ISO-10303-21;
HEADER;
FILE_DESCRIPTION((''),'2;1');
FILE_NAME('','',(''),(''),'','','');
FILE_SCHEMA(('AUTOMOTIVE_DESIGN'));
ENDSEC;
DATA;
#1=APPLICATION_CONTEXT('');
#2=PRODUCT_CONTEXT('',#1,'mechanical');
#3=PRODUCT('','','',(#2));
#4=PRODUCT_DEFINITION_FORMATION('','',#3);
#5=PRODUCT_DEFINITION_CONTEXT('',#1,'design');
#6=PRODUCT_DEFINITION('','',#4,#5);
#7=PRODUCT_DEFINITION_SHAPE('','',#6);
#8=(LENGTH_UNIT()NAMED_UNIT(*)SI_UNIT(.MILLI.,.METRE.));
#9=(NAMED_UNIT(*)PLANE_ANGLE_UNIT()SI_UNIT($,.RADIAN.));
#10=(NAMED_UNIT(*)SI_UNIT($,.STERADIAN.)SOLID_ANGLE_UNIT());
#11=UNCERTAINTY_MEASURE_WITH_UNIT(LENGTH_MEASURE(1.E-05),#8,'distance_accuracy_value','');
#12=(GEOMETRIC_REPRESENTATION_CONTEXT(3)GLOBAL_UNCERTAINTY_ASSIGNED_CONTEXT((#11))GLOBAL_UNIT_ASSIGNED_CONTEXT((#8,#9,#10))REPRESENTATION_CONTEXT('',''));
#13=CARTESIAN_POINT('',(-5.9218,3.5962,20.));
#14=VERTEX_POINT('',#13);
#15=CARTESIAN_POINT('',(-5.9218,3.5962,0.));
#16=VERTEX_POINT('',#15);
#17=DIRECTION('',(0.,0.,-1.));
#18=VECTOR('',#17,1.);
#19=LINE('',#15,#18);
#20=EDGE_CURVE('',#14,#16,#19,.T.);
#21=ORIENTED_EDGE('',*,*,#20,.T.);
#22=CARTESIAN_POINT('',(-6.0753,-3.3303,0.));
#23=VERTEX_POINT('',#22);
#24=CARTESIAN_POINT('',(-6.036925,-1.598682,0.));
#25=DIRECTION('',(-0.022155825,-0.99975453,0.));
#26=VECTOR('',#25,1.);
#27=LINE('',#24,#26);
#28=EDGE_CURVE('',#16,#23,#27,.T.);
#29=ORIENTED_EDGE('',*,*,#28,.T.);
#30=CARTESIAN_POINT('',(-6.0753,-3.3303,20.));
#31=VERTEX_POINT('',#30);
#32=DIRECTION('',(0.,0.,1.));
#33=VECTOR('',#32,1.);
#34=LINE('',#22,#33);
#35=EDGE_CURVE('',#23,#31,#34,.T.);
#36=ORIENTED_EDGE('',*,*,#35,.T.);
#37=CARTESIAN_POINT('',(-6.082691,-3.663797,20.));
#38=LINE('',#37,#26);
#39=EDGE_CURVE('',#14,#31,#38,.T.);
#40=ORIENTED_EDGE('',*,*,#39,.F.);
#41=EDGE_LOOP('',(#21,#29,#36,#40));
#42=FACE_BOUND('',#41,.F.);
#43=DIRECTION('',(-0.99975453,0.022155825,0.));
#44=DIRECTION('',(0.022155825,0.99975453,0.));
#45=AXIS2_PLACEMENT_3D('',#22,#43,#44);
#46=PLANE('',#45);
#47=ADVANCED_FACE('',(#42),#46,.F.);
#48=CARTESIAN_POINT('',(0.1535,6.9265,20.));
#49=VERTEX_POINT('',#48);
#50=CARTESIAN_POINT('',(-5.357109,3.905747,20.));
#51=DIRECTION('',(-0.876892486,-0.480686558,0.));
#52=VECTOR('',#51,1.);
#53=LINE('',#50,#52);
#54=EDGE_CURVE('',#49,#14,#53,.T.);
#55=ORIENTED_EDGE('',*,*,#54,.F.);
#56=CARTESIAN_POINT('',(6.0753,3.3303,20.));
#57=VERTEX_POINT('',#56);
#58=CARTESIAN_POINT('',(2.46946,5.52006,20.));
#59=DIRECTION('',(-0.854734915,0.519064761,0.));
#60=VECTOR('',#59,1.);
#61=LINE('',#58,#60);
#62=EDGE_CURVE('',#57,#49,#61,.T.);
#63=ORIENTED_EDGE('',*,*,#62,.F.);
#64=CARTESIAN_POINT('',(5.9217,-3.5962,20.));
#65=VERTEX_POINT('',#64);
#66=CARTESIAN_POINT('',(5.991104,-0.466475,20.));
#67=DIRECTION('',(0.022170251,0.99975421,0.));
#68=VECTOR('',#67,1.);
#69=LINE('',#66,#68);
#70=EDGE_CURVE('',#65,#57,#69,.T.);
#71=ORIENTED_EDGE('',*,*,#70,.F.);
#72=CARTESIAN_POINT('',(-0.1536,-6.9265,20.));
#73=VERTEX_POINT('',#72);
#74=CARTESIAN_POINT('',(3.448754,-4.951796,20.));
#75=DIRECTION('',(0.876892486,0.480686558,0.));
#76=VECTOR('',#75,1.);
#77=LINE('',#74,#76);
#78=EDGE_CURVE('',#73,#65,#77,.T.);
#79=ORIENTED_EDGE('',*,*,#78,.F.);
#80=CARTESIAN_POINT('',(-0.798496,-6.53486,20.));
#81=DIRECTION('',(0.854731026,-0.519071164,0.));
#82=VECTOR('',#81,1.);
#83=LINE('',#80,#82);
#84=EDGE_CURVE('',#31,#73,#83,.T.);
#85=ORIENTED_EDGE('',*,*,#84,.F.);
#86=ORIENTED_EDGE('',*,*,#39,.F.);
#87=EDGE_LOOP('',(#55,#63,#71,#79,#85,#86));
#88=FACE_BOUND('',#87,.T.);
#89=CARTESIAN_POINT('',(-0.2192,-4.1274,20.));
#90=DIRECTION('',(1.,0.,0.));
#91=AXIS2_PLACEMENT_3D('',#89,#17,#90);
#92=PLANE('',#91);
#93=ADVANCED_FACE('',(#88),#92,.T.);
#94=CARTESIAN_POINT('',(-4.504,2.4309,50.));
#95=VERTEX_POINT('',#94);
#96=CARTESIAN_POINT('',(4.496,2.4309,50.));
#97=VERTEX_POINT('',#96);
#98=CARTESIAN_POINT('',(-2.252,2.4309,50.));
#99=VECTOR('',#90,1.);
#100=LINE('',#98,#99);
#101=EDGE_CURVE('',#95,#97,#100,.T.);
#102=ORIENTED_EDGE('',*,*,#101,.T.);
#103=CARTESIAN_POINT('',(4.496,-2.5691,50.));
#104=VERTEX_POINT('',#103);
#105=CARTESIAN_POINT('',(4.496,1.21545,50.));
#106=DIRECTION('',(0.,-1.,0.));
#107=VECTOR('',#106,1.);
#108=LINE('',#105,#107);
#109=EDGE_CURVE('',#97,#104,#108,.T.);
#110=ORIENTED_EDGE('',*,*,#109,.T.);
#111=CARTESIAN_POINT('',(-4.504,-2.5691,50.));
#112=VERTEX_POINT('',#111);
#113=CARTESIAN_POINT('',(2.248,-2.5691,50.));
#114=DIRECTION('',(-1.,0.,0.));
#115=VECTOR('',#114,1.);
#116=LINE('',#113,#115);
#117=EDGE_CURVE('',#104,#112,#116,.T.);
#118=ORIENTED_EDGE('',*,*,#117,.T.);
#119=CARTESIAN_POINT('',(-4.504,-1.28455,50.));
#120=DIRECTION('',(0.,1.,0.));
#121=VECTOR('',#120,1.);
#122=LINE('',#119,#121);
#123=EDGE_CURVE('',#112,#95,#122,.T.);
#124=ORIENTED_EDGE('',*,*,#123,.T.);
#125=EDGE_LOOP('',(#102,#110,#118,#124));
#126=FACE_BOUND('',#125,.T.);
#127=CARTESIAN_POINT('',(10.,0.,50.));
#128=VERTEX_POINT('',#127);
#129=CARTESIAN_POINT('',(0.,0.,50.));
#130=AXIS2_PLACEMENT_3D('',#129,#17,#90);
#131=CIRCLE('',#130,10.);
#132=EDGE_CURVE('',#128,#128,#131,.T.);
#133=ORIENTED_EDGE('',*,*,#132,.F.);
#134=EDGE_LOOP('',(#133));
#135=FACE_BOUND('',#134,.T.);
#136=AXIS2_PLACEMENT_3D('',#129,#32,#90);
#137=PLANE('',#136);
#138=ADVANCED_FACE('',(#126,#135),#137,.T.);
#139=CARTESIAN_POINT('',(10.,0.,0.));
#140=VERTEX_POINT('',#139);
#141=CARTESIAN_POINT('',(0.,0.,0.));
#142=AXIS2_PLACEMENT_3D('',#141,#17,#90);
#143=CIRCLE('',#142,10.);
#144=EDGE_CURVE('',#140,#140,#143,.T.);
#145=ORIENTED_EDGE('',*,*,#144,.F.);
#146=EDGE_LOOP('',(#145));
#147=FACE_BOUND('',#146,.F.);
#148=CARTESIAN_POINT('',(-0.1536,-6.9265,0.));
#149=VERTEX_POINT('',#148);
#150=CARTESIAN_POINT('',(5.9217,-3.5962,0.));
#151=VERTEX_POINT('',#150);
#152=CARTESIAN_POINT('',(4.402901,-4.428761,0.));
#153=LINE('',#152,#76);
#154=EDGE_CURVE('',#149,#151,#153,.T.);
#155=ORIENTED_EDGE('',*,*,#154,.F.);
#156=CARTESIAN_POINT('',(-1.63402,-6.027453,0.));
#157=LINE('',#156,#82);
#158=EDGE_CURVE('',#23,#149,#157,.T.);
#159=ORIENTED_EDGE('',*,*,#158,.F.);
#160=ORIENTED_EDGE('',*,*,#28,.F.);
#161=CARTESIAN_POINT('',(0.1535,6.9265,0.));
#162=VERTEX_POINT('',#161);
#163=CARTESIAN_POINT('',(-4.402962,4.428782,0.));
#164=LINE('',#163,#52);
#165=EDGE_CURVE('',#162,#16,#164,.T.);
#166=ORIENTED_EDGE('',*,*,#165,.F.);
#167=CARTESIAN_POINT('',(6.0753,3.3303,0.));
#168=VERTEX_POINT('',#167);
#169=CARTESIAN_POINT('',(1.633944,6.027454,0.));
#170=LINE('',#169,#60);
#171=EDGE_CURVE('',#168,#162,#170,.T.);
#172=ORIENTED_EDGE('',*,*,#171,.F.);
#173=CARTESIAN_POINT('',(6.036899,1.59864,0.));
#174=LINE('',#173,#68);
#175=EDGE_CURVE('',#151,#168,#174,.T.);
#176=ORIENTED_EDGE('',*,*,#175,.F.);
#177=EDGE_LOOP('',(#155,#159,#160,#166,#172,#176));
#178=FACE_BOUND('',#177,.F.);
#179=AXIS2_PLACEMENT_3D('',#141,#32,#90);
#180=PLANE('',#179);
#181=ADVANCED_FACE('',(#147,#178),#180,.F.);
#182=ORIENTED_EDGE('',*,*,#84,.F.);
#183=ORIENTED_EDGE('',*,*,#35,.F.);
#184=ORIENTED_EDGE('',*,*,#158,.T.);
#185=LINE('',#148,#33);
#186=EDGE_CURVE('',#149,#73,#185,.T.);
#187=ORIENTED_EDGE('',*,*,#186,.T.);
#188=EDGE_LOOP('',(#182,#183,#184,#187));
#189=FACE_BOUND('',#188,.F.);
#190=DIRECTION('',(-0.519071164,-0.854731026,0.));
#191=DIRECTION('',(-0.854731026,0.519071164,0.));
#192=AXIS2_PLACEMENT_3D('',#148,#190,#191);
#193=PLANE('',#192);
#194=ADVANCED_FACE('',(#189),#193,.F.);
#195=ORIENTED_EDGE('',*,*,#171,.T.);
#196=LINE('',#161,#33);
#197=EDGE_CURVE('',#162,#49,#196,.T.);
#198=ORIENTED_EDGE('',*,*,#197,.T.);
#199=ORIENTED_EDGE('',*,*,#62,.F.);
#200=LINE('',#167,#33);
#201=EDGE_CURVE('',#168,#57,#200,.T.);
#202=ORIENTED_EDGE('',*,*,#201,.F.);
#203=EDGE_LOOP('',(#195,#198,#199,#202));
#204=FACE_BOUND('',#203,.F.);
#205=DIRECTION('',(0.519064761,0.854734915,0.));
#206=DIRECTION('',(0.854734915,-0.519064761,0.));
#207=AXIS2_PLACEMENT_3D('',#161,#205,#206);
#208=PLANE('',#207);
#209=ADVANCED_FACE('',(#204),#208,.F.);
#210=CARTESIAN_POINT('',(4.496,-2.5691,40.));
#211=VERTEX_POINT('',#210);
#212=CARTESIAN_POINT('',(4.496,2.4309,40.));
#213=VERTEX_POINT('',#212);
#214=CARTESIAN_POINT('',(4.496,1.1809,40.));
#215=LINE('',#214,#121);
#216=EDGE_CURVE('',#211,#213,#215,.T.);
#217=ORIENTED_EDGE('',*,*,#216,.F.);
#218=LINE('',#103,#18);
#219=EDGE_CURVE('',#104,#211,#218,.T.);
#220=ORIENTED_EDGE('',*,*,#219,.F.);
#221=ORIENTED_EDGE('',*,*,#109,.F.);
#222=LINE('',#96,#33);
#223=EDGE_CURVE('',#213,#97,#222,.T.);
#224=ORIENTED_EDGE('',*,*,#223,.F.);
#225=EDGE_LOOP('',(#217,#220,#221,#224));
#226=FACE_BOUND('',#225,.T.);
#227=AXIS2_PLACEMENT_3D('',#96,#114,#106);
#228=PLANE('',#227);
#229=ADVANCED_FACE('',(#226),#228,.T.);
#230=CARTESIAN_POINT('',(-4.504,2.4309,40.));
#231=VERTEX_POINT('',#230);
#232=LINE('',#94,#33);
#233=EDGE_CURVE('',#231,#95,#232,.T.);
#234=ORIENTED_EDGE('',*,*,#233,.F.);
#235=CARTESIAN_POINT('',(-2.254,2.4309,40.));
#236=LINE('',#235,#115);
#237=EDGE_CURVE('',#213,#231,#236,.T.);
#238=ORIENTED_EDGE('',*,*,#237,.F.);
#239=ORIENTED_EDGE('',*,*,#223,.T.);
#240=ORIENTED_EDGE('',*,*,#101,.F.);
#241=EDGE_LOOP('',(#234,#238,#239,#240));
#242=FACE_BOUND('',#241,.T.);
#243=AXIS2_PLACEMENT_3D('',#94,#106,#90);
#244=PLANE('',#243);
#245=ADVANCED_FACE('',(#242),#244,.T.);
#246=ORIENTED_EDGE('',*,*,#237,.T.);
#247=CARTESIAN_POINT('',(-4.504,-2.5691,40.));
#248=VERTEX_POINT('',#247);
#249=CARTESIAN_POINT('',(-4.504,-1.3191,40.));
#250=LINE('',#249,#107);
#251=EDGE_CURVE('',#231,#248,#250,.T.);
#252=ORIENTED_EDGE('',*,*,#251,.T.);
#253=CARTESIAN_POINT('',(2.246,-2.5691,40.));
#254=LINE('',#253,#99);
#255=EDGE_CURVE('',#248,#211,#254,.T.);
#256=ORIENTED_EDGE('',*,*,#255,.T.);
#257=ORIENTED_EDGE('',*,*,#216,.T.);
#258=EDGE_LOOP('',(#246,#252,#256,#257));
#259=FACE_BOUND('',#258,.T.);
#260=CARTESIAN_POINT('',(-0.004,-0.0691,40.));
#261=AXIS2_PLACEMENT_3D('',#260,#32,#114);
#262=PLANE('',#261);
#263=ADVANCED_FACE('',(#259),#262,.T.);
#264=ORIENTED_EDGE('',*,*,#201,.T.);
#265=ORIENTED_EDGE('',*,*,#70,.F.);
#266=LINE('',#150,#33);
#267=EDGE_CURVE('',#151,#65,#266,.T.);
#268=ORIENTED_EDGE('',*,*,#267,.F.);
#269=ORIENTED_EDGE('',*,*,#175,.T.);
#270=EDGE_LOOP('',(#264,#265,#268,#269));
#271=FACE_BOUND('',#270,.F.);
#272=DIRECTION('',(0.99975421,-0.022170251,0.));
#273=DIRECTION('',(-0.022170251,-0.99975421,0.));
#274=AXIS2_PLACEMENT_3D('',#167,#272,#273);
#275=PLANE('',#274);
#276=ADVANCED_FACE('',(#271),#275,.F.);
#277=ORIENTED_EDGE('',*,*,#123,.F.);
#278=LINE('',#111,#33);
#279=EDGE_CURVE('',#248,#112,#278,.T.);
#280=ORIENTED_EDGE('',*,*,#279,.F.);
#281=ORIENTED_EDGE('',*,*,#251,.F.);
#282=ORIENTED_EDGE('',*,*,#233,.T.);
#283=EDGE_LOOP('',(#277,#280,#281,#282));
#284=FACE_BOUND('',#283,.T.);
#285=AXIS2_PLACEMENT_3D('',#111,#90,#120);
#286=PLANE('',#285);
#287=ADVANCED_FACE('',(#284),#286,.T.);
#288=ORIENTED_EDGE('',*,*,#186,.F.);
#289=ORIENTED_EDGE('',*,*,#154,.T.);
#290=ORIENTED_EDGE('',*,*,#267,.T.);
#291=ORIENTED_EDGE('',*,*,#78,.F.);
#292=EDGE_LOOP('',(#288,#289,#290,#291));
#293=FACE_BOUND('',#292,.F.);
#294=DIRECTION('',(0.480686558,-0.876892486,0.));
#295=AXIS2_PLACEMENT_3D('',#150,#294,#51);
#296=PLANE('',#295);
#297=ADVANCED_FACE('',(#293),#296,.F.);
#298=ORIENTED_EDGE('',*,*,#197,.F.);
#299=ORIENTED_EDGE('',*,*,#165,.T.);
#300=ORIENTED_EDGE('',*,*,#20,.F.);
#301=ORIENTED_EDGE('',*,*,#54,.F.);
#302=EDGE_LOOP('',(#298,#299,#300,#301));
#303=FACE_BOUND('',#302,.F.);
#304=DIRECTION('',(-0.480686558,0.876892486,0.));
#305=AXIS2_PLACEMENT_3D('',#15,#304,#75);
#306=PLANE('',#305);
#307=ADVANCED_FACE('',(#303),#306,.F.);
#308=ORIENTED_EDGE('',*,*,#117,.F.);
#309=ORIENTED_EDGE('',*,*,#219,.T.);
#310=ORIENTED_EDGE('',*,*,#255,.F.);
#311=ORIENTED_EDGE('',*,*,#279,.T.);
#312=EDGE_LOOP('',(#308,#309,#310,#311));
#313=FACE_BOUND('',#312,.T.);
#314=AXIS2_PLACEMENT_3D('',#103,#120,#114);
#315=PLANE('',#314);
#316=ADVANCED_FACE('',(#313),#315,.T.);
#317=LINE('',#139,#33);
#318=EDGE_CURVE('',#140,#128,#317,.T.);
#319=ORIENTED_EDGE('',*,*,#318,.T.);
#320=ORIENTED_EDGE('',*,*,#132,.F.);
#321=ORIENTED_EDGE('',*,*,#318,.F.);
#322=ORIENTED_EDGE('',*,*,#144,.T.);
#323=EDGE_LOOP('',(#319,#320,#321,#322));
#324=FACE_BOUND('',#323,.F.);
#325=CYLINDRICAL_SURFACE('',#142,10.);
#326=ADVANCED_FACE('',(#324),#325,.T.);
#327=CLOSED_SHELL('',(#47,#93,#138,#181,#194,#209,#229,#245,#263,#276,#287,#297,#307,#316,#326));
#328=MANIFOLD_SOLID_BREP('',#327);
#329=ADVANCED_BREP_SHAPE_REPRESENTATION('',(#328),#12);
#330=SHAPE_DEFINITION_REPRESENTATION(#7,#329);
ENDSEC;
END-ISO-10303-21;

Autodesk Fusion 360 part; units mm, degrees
sketch "Sketch1" plane through (0, 0, 0) normal (0, 0, 1) x (1, 0, 0) in component "ADAPTERI2"
  circle A0 centre (0, 0) radius 15
  dimension "d3" = 30
extrude "Extrude1" add sketch "Sketch1" along normal blind 50 in component "ADAPTERI2"
sketch "Sketch2" plane through (-0.004, -0.0691, 50) normal (0, 0, 1) x (-1, 0, 0) in component "ADAPTERI2"
  circle A0 centre (-0.004, -0.0691) radius 15
  line L0 (-4.5, 2.5) -> (4.5, 2.5)
  line L1 (4.5, 2.5) -> (4.5, -2.5)
  line L2 (4.5, -2.5) -> (-4.5, -2.5)
  line L3 (-4.5, -2.5) -> (-4.5, 2.5)
  line L4 (-4.5, 2.5) -> (4.5, -2.5) construction
  line L5 (4.5, 2.5) -> (-4.5, -2.5) construction
  dimension "d6" = 9
  dimension "d7" = 5
extrude "Extrude2" cut sketch "Sketch2" against normal blind 10 contours L0 L1 L2 L3 in component "ADAPTERI2"
sketch "Sketch3" plane through (-0.2192, -4.1274, 0) normal (0, 0, -1) x (1, 0, 0) in component "ADAPTERI2"
  circle A0 centre (0.2192, -4.1274) radius 15
  line L0 (0.3727, -11.0539) -> (6.2945, -7.4577)
  line L1 (6.2945, -7.4577) -> (6.1409, -0.5312)
  line L2 (6.1409, -0.5312) -> (0.0656, 2.7991)
  line L3 (0.0656, 2.7991) -> (-5.8561, -0.7971)
  line L4 (-5.8561, -0.7971) -> (-5.7026, -7.7236)
  line L5 (-5.7026, -7.7236) -> (0.3727, -11.0539)
  point P0 (0.2192, -4.1274)
  dimension "d10" = 6
extrude "Extrude3" cut sketch "Sketch3" against normal blind 20 contours L0 L1 L2 L3 L4 L5 in component "ADAPTERI2"
move_face "OffsetFaces1" offset -5 1 faces at (14.9255, -1.4935, 16.6667) in component "ADAPTERI2"
component "ADAPTERI2" placed x (1, 0, 0) y (0, 1, 0) z (0, 0, 1) at (0, 0, 0)
